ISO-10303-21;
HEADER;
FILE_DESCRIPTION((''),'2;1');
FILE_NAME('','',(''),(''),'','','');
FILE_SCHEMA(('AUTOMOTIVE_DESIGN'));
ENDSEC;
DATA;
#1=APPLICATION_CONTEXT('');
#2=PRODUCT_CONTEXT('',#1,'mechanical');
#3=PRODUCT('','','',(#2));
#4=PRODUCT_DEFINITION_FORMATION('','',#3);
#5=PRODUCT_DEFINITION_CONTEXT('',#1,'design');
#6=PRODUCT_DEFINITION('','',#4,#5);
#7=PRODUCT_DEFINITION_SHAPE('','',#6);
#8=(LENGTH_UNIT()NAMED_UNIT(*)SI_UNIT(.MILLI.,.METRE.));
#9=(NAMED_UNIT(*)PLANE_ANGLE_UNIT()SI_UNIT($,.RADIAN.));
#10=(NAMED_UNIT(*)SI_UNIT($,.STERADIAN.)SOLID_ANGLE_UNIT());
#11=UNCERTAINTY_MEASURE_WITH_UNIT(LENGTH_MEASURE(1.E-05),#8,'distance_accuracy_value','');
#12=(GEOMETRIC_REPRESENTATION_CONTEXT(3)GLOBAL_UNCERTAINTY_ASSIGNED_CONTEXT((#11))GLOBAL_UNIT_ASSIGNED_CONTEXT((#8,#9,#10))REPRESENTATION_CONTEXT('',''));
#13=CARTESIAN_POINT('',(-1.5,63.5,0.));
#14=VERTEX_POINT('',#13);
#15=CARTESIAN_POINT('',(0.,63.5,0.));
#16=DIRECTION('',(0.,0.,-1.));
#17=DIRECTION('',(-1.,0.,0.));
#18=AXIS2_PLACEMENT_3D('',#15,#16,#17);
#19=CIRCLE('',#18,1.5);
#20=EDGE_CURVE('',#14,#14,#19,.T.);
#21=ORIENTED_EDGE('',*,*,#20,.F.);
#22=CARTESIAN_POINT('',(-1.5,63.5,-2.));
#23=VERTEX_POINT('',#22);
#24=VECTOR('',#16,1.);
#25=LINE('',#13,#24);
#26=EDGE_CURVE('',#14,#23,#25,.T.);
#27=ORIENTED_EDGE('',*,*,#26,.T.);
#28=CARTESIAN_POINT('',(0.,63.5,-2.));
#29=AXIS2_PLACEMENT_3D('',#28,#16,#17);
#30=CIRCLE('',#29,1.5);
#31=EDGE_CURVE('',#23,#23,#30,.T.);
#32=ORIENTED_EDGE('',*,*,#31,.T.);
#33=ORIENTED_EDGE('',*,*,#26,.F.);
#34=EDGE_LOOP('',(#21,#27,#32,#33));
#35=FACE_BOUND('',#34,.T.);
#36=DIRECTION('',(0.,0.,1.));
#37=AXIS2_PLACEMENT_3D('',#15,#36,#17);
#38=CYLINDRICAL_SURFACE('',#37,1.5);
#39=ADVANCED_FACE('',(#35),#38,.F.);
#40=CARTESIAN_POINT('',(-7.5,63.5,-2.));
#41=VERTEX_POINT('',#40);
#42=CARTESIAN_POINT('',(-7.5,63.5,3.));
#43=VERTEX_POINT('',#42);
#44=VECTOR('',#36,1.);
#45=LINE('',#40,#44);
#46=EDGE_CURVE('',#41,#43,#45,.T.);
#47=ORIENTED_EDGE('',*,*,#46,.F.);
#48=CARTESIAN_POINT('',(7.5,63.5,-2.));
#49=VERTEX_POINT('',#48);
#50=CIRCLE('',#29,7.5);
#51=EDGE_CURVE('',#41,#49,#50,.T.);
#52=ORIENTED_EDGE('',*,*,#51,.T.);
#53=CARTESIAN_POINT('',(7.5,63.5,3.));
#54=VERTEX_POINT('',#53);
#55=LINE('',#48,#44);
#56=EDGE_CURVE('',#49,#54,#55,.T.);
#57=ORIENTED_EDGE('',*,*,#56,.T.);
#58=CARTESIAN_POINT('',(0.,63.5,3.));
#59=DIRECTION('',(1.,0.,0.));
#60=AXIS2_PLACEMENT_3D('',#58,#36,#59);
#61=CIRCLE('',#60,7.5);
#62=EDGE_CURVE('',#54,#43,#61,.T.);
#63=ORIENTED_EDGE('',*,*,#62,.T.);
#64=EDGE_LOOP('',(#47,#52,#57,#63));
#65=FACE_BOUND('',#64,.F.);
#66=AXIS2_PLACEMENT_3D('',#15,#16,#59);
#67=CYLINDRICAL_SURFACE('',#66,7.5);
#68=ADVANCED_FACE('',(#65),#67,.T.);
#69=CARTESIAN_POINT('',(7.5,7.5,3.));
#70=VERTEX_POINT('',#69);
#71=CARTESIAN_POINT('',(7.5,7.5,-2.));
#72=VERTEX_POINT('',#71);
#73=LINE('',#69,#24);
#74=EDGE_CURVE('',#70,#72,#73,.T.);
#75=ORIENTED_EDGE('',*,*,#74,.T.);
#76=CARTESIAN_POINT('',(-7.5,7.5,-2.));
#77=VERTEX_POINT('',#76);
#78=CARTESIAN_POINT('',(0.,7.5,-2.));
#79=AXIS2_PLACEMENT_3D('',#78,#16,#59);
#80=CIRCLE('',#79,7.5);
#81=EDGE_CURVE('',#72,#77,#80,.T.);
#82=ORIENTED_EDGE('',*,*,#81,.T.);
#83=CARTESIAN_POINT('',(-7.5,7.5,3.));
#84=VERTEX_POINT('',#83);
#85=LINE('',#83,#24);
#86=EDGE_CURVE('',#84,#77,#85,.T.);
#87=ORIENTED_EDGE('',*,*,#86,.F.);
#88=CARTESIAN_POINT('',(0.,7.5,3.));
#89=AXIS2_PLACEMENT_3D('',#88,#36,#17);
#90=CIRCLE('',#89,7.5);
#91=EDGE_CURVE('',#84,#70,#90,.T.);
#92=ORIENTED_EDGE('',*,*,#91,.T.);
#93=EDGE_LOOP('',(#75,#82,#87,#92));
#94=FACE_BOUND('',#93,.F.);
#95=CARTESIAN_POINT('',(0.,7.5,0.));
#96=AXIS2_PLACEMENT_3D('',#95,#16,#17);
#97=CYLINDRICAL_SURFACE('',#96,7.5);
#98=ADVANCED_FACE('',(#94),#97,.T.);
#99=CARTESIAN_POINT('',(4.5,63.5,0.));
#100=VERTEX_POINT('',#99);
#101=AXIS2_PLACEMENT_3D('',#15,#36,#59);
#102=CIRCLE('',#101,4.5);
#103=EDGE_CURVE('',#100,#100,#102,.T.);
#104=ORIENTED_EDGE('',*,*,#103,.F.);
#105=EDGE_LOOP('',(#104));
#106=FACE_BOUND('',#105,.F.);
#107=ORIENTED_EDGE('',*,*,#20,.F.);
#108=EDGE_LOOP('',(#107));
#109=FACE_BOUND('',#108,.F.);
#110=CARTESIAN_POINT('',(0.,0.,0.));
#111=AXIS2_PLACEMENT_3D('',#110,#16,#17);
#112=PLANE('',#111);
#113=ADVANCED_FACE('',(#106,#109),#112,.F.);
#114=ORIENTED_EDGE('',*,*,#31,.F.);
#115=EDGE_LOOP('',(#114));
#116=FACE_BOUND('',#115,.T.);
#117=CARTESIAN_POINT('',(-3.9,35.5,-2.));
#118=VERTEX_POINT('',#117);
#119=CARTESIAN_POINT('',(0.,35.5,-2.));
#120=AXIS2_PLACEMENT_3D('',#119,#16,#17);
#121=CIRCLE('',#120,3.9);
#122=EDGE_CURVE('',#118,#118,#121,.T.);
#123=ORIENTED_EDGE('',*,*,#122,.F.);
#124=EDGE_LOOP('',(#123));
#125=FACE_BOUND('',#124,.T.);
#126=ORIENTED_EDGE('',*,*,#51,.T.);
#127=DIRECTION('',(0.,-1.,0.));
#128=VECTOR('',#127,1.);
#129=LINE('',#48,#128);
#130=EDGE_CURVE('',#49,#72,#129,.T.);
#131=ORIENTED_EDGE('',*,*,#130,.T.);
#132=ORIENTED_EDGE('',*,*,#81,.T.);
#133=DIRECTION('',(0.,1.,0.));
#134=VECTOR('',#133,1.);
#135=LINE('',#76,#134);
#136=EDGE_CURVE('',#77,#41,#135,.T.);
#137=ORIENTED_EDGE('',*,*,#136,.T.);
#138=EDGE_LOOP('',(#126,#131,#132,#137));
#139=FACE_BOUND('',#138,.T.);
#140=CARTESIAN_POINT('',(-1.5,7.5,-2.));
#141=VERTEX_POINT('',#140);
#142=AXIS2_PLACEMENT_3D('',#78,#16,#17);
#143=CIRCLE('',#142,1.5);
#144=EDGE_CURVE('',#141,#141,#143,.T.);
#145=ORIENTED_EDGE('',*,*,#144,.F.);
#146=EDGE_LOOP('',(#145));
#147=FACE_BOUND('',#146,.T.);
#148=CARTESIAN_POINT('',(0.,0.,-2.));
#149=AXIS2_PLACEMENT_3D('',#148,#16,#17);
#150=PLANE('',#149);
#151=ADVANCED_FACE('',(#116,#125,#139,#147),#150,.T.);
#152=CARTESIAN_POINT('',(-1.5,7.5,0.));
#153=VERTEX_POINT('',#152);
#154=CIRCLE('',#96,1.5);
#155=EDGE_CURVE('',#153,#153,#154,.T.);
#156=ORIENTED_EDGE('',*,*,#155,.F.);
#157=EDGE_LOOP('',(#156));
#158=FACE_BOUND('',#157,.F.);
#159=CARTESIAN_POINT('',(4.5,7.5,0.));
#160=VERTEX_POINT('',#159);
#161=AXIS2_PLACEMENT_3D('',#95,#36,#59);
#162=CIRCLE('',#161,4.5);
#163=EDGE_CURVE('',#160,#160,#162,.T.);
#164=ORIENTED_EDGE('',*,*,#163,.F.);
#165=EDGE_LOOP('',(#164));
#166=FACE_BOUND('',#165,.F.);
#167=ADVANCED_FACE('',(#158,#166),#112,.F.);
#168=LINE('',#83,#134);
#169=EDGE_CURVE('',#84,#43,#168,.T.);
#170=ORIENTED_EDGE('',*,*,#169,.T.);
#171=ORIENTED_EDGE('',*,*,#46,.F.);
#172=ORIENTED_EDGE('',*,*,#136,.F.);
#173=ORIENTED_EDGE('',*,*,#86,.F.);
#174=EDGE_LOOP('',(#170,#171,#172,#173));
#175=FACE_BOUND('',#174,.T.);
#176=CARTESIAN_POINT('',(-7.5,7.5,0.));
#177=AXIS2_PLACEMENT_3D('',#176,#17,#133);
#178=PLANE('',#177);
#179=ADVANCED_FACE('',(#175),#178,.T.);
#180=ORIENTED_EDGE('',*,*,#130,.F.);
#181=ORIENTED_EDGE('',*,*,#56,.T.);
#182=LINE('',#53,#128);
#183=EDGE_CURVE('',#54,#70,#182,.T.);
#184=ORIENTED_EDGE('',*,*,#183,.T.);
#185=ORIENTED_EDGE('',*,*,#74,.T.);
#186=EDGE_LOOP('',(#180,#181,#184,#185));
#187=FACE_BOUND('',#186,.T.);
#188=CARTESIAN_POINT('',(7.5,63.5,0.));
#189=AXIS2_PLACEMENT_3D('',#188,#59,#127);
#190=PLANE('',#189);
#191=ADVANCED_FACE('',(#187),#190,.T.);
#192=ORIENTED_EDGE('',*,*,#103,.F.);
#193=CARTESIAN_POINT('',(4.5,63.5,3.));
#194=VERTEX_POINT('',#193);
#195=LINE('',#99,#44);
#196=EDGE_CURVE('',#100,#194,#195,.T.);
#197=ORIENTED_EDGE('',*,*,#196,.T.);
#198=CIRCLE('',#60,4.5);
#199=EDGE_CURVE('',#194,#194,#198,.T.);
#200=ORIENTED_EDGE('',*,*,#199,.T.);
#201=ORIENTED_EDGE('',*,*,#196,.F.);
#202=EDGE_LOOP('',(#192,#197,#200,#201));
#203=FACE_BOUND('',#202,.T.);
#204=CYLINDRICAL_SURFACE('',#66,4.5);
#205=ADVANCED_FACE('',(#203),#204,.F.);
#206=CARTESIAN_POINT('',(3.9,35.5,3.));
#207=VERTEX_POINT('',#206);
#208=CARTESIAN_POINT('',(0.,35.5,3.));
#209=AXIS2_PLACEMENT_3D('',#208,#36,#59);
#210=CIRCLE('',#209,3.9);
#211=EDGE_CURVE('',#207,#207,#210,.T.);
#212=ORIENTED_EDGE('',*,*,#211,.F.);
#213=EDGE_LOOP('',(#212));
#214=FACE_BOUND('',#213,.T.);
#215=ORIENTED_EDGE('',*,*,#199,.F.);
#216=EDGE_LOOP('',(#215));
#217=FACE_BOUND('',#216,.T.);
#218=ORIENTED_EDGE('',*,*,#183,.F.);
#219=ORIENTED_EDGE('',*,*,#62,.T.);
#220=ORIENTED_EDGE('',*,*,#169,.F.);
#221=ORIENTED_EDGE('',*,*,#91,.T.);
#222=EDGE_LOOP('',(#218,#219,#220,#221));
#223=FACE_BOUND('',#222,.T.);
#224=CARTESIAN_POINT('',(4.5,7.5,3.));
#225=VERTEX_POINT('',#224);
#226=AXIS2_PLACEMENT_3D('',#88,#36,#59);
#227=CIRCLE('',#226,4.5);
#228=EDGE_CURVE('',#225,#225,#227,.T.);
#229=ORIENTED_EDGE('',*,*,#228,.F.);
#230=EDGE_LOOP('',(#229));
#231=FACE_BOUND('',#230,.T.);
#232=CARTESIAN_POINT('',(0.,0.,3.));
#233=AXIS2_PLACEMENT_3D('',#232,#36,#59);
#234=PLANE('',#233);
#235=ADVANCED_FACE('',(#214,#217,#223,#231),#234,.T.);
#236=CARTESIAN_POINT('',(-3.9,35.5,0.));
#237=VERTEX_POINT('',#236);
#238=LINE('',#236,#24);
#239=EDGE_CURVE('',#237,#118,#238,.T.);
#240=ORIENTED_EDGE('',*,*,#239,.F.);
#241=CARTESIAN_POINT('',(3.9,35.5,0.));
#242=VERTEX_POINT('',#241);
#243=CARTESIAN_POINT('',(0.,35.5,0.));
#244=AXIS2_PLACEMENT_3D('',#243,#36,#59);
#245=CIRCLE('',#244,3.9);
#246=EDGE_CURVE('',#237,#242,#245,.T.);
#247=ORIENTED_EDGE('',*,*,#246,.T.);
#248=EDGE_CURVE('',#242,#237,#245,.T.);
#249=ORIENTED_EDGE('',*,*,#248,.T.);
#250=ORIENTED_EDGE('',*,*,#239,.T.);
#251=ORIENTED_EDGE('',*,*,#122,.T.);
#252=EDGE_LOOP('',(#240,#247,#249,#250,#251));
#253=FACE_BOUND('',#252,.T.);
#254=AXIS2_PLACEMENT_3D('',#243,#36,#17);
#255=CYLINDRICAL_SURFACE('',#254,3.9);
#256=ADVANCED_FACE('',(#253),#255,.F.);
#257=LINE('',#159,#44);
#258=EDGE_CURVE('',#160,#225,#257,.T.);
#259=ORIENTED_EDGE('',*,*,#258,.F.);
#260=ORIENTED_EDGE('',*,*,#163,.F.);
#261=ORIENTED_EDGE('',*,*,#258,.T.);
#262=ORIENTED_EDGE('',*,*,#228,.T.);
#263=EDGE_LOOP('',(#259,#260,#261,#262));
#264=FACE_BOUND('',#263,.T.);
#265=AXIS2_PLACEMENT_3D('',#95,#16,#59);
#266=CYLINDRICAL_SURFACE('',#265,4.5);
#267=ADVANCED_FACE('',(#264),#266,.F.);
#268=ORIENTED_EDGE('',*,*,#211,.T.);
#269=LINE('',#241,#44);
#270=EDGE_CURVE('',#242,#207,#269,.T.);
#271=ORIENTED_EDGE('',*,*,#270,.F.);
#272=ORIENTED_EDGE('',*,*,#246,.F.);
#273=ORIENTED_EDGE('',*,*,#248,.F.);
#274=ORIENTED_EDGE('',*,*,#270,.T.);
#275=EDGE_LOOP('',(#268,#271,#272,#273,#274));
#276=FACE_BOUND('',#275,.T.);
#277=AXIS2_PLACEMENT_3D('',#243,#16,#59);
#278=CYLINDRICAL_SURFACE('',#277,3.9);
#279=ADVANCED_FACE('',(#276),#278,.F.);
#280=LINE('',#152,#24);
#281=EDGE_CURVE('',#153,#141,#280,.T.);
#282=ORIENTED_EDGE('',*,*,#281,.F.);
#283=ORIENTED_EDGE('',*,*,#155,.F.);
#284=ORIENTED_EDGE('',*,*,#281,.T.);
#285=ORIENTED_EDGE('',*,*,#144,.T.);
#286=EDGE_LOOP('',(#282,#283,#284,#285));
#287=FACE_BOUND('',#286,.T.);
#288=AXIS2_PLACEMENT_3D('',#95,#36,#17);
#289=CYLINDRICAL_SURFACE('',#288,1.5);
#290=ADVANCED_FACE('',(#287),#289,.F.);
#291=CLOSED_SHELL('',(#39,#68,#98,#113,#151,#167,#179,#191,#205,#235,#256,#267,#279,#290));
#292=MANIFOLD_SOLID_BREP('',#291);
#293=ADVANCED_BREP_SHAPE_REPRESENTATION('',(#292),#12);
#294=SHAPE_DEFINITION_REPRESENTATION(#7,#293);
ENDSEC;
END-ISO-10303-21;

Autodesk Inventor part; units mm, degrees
ref_plane "YZ Plane" through (0, 0, 0) normal (1, 0, 0) x (0, 1, 0)
ref_plane "XZ Plane" through (0, 0, 0) normal (0, 1, 0) x (-1, 0, 0)
ref_plane "XY Plane" through (0, 0, 0) normal (0, 0, 1) x (1, 0, 0)
sketch "Sketch1" plane through (0, 0, 0) normal (0, 0, 1) x (1, 0, 0)
  line L0 (0, 0) -> (0, 71) construction
  circle A0 centre (0, 63.5) radius 7.5 construction
  circle A1 centre (0, 7.5) radius 7.5 construction
  line L1 (7.5, 63.5) -> (7.5, 7.5)
  line L2 (-7.5, 7.5) -> (-7.5, 63.5)
  arc A2 (7.5, 63.5) -> (-7.5, 63.5) centre (0, 63.5) ccw
  arc A3 (-7.5, 7.5) -> (7.5, 7.5) centre (0, 7.5) ccw
  circle A4 centre (0, 35.5) radius 3.9
  circle A5 centre (0, 63.5) radius 4.5
  circle A6 centre (0, 7.5) radius 4.5
  dimension "d1" = 15
  dimension "d2" = 15
  dimension "d3" = 7.8
  dimension "d4" = 9
  dimension "d5" = 9
  dimension "d25" = 56
extrude "Extrusion1" add sketch "Sketch1" along normal blind 3
sketch "Sketch7" plane through (0, 0, 0) normal (0, 0, -1) x (-1, 0, 0)
  circle A0 centre (0, 35.5) radius 3.9 projected
  circle A1 centre (0, 7.5) radius 4.5 projected
  circle A2 centre (0, 63.5) radius 4.5 projected
  line L0 (-7.5, 63.5) -> (-7.5, 7.5) projected
  arc A3 (-7.5, 7.5) -> (7.5, 7.5) centre (0, 7.5) ccw projected
  line L1 (7.5, 7.5) -> (7.5, 63.5) projected
  arc A4 (7.5, 63.5) -> (-7.5, 63.5) centre (0, 63.5) ccw projected
  circle A5 centre (0, 63.5) radius 1.5
  circle A6 centre (0, 7.5) radius 1.5
  point P0 (0, 0)
  dimension "d21" = 3
  dimension "d22" = 3
extrude "Extrusion6" add sketch "Sketch7" along normal blind 2 contours A1 | A2 | A4 L1 A3 L0
properties part number "WaveGenerator" material "ABS Plastic"
